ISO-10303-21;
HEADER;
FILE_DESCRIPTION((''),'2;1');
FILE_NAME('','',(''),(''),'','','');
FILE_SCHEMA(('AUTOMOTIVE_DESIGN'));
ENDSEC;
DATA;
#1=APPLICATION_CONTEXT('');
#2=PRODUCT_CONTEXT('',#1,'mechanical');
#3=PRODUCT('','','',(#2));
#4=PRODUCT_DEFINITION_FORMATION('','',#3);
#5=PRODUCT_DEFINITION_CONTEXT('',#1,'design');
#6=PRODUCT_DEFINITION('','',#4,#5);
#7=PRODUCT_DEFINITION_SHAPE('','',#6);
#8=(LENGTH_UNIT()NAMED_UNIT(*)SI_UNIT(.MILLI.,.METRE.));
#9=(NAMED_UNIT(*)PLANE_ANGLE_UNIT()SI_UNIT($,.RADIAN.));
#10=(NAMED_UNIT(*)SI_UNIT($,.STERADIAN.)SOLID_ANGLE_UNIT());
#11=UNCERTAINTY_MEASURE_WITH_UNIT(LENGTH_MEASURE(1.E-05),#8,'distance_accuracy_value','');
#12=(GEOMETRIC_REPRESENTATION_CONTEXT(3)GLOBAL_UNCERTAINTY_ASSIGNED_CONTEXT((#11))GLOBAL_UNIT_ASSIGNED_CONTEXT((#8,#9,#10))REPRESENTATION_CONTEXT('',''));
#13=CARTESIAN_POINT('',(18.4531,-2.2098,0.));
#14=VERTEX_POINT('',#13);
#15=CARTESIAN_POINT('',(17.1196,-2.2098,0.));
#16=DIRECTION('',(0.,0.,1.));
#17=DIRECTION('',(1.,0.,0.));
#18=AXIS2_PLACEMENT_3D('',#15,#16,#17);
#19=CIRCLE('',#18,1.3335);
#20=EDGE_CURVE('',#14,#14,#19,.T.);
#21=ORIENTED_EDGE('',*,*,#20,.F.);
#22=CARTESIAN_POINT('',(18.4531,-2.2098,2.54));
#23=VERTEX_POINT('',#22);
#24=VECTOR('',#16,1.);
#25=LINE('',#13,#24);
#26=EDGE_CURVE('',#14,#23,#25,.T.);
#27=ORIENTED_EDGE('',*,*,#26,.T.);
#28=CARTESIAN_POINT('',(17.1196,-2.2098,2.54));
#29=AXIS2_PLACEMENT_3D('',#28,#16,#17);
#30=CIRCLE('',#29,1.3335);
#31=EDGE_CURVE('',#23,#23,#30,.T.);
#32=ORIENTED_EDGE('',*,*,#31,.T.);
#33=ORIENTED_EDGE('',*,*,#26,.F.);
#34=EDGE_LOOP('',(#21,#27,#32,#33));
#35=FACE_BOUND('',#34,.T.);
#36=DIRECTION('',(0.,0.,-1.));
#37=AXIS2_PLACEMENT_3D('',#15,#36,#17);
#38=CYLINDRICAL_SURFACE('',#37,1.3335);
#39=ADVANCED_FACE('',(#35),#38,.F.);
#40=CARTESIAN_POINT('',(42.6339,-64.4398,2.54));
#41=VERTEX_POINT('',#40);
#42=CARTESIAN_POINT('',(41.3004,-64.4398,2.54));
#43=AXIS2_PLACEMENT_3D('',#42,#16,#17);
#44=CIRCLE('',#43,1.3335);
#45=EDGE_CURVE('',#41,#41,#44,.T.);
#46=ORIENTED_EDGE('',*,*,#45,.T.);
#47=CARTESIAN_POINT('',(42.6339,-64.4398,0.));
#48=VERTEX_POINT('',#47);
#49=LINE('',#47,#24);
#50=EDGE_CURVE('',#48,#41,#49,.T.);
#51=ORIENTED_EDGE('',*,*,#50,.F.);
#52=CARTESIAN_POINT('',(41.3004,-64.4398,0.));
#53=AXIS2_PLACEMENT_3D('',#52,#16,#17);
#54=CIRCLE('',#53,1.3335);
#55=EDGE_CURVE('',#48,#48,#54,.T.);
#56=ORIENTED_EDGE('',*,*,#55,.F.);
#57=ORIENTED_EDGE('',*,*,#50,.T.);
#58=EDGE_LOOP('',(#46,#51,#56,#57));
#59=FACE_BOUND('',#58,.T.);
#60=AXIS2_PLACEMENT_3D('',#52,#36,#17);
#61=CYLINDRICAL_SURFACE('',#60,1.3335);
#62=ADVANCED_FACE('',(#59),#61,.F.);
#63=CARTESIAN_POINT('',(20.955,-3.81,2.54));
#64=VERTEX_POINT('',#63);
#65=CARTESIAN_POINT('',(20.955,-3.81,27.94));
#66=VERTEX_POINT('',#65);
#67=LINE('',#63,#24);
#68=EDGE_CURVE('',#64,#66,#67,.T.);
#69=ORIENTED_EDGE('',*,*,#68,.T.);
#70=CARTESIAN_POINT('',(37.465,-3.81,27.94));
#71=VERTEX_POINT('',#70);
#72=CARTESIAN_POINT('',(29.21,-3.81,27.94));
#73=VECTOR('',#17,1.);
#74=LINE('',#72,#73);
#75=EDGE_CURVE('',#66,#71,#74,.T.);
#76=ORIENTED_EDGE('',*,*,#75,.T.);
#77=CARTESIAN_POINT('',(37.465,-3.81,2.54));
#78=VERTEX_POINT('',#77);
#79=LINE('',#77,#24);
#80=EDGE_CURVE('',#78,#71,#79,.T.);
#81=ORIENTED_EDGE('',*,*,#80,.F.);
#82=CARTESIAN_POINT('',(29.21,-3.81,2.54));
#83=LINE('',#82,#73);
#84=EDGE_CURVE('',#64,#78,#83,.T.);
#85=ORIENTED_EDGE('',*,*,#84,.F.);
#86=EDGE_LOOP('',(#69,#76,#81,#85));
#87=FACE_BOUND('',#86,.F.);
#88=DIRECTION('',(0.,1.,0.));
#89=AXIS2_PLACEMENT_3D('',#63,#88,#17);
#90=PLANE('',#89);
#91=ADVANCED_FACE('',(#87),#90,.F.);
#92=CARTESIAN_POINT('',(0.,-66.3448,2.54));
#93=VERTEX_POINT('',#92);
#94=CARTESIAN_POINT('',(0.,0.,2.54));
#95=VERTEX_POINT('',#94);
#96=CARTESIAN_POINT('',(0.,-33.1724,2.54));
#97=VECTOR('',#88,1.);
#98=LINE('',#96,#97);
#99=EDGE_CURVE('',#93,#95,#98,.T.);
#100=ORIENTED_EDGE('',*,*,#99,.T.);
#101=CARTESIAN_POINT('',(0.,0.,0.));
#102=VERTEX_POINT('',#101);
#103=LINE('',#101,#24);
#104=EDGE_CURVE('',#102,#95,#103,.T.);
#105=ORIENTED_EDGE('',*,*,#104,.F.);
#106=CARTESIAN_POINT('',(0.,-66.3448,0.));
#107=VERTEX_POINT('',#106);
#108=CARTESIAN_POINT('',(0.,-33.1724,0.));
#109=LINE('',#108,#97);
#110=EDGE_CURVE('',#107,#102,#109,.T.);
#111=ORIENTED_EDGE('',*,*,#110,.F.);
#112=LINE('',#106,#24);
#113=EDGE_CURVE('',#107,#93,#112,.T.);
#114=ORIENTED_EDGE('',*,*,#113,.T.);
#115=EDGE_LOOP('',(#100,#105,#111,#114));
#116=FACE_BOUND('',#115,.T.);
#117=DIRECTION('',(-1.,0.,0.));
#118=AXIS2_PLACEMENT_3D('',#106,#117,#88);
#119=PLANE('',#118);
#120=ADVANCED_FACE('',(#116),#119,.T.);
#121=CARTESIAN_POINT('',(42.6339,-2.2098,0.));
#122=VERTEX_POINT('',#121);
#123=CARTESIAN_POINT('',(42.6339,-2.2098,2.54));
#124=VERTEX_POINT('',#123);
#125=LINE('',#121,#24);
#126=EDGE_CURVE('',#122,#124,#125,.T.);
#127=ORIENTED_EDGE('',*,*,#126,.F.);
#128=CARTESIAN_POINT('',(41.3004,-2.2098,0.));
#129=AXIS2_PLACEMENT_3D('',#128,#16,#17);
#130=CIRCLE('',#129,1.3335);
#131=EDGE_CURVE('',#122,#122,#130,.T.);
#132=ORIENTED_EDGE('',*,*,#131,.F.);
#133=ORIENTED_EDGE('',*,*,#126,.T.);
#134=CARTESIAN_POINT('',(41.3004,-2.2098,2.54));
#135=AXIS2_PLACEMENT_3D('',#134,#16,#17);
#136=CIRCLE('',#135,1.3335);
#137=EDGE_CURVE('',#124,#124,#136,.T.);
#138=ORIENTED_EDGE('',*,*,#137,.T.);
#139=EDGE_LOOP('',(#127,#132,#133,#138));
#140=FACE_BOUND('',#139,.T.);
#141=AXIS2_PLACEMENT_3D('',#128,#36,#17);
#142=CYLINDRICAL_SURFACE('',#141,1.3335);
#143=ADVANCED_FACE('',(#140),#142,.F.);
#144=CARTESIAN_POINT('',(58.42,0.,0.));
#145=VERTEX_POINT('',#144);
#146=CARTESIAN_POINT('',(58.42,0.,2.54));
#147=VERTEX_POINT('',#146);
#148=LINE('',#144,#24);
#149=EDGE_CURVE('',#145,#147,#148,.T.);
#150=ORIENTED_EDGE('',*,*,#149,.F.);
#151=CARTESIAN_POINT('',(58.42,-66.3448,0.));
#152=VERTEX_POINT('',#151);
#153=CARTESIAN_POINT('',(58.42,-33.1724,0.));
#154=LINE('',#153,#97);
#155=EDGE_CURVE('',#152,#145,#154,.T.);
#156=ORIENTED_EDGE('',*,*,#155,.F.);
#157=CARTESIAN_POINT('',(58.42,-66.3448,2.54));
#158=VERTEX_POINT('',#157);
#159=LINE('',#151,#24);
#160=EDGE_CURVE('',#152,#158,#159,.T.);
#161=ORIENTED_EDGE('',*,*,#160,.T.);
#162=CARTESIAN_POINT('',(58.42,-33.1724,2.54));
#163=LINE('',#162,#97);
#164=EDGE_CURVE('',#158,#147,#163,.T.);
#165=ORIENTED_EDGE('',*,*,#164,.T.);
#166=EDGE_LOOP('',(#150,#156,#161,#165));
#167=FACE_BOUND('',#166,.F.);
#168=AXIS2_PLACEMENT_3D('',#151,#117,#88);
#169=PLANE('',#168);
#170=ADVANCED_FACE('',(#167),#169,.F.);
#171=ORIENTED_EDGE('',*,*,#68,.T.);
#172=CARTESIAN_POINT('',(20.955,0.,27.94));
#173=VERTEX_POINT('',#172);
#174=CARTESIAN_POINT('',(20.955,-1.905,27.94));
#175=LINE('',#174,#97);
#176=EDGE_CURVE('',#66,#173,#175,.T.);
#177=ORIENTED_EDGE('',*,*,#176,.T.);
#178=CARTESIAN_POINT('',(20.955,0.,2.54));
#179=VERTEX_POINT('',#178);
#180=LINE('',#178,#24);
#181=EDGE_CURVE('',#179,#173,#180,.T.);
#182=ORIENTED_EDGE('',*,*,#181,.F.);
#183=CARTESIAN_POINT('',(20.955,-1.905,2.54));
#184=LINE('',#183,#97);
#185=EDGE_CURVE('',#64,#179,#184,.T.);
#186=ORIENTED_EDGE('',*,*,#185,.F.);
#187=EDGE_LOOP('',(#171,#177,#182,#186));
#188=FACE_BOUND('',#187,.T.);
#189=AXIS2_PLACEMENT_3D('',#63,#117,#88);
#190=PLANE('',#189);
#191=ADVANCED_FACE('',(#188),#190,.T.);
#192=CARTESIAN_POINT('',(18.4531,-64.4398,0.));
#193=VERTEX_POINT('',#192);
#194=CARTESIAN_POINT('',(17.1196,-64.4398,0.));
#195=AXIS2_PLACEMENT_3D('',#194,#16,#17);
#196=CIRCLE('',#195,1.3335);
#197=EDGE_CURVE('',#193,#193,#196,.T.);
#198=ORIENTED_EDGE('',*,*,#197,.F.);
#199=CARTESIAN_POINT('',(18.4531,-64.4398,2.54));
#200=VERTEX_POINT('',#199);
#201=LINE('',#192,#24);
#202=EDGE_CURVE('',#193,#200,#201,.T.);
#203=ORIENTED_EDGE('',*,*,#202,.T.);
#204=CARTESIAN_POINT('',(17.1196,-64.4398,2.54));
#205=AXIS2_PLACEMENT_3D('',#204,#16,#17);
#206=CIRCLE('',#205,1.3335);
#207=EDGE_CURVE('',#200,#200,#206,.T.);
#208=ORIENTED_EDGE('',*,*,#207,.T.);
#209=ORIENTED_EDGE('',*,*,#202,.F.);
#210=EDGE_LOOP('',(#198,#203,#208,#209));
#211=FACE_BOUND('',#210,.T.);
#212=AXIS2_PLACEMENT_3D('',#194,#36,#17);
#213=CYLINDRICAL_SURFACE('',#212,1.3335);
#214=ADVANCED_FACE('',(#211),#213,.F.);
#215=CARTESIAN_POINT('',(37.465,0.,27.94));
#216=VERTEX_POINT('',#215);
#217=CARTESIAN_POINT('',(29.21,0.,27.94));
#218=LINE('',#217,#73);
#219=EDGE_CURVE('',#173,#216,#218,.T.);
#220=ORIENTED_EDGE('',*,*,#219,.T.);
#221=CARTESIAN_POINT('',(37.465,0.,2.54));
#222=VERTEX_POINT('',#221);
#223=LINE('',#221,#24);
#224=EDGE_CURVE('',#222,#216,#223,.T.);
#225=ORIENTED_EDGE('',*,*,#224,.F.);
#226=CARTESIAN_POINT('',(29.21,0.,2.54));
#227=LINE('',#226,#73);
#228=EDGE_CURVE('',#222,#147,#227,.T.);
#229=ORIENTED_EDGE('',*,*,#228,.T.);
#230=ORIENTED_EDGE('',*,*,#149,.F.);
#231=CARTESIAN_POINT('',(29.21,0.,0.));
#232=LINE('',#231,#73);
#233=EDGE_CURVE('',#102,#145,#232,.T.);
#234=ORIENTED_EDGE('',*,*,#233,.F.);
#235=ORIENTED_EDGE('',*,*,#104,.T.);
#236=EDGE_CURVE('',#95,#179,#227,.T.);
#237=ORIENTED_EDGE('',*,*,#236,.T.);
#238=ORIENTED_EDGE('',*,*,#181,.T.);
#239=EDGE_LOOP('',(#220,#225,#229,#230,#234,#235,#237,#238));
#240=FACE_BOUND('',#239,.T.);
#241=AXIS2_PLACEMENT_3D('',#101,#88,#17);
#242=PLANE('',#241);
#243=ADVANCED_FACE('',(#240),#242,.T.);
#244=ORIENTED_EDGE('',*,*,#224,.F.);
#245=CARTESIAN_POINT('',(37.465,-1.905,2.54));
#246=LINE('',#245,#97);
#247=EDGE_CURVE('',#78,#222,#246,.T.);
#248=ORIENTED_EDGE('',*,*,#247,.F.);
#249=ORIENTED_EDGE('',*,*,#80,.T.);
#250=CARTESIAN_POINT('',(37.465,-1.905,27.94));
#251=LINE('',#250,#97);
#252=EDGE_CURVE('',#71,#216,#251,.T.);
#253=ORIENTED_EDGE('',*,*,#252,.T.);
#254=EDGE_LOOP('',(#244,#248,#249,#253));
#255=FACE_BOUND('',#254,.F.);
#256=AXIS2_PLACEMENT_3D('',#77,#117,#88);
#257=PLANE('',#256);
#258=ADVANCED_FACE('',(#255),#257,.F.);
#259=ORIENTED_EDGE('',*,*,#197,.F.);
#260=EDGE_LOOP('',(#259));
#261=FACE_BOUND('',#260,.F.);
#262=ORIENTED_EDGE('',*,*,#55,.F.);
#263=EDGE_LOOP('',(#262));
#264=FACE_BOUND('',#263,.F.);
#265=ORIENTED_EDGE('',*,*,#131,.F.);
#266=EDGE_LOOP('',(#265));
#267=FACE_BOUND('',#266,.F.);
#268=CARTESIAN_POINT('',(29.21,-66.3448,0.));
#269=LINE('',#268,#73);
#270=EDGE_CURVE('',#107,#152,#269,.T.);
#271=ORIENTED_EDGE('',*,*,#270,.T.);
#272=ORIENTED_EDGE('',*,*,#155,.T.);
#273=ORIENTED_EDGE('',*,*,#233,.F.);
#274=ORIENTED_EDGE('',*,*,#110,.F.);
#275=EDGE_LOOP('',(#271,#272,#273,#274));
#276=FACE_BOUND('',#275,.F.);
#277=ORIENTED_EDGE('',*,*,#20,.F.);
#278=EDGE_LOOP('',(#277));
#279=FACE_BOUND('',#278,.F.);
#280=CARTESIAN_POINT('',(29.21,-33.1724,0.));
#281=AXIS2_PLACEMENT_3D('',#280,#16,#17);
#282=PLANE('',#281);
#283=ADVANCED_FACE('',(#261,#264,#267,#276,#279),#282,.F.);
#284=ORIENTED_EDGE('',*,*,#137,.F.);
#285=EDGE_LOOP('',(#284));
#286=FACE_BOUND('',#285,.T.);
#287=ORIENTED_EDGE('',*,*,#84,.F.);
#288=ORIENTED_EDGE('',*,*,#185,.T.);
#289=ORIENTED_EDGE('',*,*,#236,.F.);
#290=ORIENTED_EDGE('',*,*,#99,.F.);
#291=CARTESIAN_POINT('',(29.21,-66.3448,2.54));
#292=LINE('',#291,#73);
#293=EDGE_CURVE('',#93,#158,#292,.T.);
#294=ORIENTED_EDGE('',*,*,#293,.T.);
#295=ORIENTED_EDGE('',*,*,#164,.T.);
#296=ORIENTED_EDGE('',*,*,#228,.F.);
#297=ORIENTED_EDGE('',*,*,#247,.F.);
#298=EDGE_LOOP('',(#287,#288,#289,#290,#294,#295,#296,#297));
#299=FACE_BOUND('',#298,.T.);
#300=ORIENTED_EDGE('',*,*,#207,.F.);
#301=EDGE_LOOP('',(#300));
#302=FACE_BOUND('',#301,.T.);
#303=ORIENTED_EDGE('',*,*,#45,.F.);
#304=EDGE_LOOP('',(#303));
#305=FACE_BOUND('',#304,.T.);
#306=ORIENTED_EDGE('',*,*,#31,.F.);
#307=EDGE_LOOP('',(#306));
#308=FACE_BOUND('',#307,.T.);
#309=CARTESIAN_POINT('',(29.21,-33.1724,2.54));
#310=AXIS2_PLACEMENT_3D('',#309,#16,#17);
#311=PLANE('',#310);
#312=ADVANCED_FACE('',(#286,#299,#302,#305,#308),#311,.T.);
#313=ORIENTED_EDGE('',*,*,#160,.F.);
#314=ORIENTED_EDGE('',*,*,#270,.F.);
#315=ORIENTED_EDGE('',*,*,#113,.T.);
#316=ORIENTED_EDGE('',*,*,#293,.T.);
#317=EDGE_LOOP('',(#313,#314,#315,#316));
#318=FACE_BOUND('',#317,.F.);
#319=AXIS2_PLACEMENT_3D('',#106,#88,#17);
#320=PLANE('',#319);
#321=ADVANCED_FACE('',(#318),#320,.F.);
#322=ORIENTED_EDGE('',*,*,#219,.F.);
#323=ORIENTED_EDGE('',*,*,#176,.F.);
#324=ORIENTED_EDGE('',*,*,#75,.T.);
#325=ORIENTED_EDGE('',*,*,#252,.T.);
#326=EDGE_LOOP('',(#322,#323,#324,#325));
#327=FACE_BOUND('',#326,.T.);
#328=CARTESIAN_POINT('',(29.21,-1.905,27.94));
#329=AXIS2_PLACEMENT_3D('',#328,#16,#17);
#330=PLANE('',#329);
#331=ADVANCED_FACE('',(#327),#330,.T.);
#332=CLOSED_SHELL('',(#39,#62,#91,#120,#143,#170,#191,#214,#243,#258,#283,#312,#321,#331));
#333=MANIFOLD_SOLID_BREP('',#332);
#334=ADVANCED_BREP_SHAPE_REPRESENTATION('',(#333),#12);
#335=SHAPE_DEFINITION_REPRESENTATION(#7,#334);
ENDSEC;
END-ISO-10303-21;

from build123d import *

# Parameters (mm, degrees)
F0_W     = 58.42
F0_H     = 66.3448
F0_R     = 1.3335
F1_DEPTH = 2.54
F2_W     = 16.51
F2_H     = 3.81
F3_DEPTH = 25.4


with BuildPart() as f1:
    # F0 (on Top) → F1 (new body)
    with BuildSketch(Plane.XY):
        with Locations((29.21, -33.1724)):
            Rectangle(F0_W, F0_H)
        with Locations((17.1196, -64.4398)):
            Circle(F0_R, mode=Mode.SUBTRACT)
        with Locations((41.3004, -64.4398)):
            Circle(F0_R, mode=Mode.SUBTRACT)
        with Locations((17.1196, -2.2098)):
            Circle(F0_R, mode=Mode.SUBTRACT)
        with Locations((41.3004, -2.2098)):
            Circle(F0_R, mode=Mode.SUBTRACT)
    extrude(amount=F1_DEPTH)

    # F2 (on face) → F3 (join)
    with BuildSketch(Plane.XY.offset(2.54)):
        with Locations((29.21, -1.905)):
            Rectangle(F2_W, F2_H)
    extrude(amount=F3_DEPTH)


solid = f1.part
